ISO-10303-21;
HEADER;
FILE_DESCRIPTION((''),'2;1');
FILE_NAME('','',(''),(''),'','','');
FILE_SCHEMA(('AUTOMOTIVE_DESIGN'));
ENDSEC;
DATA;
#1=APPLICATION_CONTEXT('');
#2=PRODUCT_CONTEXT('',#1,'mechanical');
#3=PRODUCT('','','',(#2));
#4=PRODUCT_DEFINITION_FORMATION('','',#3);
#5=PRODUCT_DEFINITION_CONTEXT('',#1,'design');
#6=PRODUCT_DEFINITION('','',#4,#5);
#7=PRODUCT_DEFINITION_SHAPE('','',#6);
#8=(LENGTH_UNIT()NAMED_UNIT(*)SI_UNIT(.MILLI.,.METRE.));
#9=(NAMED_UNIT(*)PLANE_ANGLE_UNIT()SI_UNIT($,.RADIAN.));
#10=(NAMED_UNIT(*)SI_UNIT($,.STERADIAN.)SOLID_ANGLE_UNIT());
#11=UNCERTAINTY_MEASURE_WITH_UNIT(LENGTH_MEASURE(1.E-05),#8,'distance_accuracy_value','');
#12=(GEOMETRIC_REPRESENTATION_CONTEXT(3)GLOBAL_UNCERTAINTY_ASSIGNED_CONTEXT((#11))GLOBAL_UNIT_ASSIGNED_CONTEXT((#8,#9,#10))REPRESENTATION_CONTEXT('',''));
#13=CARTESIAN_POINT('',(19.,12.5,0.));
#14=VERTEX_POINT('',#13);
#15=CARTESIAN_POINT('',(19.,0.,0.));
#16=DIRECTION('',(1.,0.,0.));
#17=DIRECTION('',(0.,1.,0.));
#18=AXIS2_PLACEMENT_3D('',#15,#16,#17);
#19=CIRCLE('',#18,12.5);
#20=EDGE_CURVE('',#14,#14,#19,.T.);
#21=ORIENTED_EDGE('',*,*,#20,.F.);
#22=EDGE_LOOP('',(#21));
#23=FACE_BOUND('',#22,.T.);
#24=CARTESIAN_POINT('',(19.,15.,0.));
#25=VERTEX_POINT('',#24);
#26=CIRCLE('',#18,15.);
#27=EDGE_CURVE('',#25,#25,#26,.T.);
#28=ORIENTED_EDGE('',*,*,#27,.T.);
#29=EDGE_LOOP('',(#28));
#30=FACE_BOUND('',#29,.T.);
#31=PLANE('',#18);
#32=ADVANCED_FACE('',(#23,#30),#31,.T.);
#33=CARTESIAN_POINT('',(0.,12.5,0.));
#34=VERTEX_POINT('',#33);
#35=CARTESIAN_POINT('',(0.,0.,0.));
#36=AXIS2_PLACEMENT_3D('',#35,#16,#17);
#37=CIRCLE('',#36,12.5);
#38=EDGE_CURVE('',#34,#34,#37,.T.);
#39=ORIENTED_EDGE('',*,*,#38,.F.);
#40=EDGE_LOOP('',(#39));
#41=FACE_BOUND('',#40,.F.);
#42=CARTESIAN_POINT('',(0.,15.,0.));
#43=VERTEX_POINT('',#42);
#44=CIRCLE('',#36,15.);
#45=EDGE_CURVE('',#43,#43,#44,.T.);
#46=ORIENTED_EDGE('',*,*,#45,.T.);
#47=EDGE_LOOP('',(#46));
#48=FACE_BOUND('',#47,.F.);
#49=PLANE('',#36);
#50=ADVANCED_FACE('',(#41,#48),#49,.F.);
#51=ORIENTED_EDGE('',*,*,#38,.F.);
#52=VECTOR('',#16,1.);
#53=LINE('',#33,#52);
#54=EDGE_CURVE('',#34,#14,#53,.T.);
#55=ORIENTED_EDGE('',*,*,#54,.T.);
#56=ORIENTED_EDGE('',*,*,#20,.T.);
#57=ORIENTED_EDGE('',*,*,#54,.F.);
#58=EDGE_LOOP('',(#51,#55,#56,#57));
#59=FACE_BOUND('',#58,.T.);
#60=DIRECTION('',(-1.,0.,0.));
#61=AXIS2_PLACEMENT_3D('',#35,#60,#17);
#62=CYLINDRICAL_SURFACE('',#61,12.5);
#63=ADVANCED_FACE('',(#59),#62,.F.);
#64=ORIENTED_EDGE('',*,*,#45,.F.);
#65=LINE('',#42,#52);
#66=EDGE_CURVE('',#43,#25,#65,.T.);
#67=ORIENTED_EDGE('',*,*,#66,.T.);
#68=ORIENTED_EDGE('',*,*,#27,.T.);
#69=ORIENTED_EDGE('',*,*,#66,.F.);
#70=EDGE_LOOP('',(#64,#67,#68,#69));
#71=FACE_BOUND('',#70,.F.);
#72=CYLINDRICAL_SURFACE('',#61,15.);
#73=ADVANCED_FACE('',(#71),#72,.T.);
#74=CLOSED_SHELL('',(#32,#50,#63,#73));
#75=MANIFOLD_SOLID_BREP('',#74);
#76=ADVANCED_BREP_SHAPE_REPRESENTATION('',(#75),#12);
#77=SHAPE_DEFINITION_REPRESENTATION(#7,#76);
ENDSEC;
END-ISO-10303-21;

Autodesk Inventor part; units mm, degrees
ref_plane "YZ Plane" through (0, 0, 0) normal (1, 0, 0) x (0, 1, 0)
ref_plane "XZ Plane" through (0, 0, 0) normal (0, 1, 0) x (-1, 0, 0)
ref_plane "XY Plane" through (0, 0, 0) normal (0, 0, 1) x (1, 0, 0)
sketch "Szkic1" plane through (0, 0, 0) normal (1, 0, 0) x (0, 1, 0)
  circle A0 centre (0, 0) radius 12.5
  circle A1 centre (0, 0) radius 15
  dimension "d0" = 25
  dimension "d1" = 30
extrude "Wyciągnięcie proste1" add sketch "Szkic1" along normal blind 19
properties part number "Opona"
